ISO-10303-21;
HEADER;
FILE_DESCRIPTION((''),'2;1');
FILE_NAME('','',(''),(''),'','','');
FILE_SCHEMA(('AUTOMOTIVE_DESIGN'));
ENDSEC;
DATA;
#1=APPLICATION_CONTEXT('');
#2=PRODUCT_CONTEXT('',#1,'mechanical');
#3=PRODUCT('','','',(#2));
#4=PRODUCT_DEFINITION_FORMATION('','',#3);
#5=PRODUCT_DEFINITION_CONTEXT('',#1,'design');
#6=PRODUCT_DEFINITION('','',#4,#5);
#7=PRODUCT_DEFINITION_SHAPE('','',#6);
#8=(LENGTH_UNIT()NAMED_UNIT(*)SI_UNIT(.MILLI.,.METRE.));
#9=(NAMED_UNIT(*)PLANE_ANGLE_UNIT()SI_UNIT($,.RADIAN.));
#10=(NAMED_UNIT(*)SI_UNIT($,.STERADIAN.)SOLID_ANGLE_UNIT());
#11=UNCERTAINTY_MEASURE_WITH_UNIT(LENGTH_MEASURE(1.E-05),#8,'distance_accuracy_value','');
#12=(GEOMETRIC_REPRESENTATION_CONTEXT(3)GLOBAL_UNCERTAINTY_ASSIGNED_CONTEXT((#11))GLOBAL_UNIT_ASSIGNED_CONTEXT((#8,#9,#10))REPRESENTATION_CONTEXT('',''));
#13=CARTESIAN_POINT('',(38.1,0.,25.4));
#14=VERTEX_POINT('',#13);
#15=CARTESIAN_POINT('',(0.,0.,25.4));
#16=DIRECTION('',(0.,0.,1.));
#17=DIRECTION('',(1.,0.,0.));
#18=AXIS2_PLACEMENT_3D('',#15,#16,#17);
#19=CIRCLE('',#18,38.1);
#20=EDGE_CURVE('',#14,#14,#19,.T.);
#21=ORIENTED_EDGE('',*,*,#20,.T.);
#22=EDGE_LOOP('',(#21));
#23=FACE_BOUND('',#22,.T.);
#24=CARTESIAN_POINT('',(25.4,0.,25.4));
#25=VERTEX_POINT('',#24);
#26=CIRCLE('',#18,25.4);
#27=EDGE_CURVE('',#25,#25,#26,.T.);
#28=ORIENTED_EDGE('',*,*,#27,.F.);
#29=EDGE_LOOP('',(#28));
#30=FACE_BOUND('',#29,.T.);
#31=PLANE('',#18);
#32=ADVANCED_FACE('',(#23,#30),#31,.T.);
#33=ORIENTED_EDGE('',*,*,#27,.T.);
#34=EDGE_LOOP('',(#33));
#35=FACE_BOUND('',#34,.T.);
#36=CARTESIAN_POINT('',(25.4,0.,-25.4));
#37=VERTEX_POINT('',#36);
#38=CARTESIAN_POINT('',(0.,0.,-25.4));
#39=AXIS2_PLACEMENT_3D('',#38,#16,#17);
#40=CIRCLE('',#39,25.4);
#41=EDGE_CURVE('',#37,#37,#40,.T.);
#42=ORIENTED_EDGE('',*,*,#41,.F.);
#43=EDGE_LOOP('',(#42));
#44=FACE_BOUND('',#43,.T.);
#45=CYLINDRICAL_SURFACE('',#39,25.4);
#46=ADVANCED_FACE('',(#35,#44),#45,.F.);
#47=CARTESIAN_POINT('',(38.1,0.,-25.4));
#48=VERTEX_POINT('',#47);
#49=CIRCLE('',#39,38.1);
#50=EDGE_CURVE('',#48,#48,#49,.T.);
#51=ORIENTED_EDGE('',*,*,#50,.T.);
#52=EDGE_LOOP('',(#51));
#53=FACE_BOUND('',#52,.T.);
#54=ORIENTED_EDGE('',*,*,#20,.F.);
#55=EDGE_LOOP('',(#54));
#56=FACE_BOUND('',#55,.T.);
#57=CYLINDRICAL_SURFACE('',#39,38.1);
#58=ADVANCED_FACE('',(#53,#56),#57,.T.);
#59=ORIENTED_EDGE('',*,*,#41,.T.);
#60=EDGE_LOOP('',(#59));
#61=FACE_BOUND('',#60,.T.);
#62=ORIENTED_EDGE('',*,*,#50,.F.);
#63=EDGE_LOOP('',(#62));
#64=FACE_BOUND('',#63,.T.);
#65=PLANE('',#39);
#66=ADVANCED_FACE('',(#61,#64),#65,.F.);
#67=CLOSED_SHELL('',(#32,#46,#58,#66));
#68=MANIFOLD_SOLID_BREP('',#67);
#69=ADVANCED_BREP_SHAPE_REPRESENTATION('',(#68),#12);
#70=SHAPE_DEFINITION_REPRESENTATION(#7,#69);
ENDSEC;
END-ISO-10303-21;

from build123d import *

# Parameters (mm, degrees)
BOSS_EXTRUDE1_START = 25.4
SKETCH1_R           = 38.1
SKETCH1_R_2         = 25.4
BOSS_EXTRUDE1_DEPTH = 50.8


with BuildPart() as part:
    # Sketch1 → Boss-Extrude1 (new body)
    with BuildSketch(Plane.XY.offset(BOSS_EXTRUDE1_START)):
        Circle(SKETCH1_R)
        Circle(SKETCH1_R_2, mode=Mode.SUBTRACT)
    extrude(amount=-BOSS_EXTRUDE1_DEPTH)


solid = part.part
